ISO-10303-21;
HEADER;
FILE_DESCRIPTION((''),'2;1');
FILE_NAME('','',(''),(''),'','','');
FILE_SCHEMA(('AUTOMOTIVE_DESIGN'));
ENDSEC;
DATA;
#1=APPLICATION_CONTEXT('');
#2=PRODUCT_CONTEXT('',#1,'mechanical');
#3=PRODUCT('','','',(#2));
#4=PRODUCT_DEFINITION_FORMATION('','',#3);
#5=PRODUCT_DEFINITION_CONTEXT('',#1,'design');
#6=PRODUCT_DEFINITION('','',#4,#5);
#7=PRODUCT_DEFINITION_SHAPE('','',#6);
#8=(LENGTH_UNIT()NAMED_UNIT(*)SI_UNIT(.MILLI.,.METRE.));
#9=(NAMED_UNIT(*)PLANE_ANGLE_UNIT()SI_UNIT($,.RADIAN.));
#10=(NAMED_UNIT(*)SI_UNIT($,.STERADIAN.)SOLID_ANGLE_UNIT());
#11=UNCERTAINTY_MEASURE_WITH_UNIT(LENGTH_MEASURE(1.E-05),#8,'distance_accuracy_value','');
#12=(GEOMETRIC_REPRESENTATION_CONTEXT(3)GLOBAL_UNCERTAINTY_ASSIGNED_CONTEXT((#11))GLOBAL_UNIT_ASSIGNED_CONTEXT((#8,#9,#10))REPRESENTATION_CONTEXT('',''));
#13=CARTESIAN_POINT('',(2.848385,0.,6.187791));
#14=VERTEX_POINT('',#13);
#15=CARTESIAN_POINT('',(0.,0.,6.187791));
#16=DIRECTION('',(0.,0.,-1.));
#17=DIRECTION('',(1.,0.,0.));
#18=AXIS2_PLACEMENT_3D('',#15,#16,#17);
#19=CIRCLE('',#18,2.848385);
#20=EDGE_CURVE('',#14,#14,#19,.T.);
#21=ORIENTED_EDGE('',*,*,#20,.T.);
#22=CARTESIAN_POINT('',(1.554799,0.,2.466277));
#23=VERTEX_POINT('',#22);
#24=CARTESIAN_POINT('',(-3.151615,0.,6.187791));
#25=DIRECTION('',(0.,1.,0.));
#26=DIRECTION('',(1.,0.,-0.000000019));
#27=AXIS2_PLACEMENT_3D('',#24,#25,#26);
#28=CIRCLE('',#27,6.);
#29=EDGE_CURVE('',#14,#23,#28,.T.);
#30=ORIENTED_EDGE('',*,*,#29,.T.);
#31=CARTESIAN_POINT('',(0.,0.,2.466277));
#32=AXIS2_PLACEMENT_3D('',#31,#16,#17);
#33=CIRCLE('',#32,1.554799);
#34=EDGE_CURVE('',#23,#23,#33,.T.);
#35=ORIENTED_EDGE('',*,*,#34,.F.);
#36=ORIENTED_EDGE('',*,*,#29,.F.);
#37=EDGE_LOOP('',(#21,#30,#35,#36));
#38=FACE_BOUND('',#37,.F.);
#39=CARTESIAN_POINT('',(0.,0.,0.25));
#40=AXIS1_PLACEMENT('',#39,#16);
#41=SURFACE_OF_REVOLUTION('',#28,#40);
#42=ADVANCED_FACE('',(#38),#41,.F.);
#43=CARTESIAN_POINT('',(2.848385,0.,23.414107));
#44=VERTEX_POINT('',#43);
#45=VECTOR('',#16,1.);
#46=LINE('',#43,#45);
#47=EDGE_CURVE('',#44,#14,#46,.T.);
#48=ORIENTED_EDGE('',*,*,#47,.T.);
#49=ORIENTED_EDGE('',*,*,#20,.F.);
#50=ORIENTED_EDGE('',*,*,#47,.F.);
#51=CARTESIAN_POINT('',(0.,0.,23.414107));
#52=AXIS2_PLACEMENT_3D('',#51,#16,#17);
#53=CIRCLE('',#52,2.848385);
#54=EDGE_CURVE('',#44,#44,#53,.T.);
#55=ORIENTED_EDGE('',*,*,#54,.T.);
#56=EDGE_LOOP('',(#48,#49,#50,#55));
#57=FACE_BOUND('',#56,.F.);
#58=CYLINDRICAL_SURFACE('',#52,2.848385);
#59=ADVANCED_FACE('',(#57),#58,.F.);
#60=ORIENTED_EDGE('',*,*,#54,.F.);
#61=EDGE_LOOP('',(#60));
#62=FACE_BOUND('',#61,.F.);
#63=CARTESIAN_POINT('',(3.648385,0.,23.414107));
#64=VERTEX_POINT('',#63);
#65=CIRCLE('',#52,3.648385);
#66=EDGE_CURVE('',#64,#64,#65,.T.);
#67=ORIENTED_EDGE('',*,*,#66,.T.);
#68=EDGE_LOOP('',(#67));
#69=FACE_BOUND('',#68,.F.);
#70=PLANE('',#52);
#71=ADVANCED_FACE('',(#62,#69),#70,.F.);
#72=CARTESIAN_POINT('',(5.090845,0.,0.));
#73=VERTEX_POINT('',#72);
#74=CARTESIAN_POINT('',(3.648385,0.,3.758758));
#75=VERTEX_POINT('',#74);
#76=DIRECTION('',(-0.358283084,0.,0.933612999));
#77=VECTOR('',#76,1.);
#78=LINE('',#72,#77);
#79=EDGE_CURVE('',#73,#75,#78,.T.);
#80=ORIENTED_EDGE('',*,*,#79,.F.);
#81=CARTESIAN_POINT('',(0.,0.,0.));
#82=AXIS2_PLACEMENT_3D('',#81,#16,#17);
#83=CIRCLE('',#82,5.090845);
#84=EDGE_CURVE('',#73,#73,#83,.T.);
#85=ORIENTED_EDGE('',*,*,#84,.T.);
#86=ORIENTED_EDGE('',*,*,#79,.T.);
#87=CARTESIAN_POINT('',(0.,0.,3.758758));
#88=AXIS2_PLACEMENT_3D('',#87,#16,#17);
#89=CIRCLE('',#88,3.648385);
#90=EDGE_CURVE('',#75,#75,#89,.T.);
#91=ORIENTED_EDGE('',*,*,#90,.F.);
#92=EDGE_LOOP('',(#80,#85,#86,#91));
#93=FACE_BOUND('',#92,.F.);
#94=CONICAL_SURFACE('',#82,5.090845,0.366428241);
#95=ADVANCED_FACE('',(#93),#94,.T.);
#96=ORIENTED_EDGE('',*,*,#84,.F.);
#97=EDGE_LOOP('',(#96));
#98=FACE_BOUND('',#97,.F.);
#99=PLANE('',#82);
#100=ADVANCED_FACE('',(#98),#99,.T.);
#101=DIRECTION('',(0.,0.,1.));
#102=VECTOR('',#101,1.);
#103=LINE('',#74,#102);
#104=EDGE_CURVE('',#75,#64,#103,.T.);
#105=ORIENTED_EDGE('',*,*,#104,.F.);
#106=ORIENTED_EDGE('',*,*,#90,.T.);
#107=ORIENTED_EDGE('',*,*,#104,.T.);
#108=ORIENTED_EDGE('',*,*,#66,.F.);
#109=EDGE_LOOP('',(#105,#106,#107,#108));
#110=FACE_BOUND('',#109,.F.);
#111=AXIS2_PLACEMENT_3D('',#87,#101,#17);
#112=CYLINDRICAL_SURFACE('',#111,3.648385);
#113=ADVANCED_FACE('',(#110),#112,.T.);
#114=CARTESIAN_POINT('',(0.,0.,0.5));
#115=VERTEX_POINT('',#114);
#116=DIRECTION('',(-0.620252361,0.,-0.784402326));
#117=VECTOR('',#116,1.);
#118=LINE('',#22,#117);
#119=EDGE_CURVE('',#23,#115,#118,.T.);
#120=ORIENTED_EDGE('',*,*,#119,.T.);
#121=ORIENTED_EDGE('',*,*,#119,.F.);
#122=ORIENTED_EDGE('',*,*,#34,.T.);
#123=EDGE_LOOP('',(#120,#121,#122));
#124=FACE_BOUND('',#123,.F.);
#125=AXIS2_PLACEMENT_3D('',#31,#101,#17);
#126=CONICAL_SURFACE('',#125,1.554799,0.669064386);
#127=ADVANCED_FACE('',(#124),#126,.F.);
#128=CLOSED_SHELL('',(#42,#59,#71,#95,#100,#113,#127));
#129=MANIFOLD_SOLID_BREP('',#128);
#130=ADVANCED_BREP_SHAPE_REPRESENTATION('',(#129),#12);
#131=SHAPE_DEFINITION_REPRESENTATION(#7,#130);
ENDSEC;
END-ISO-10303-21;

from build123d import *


with BuildPart() as f1:
    # F0 (on Front) → F1 (revolve)
    with BuildSketch(Plane.XZ):
        with BuildLine():
            Line((0, 0.5), (0, 0))
            Line((0, 0), (5.090845, 0))
            Line((5.090845, 0), (3.648385, 3.758758))
            Line((3.648385, 3.758758), (3.648385, 23.414107))
            Line((3.648385, 23.414107), (2.848385, 23.414107))
            Line((2.848385, 23.414107), (2.848385, 6.187791))
            ThreePointArc((2.848385, 6.187791), (2.515769, 4.217827), (1.554799, 2.466277))
            Line((1.554799, 2.466277), (0, 0.5))
        make_face()
    revolve(axis=Axis((0, 0, 0.25), (0, 0, -1)))


solid = f1.part
